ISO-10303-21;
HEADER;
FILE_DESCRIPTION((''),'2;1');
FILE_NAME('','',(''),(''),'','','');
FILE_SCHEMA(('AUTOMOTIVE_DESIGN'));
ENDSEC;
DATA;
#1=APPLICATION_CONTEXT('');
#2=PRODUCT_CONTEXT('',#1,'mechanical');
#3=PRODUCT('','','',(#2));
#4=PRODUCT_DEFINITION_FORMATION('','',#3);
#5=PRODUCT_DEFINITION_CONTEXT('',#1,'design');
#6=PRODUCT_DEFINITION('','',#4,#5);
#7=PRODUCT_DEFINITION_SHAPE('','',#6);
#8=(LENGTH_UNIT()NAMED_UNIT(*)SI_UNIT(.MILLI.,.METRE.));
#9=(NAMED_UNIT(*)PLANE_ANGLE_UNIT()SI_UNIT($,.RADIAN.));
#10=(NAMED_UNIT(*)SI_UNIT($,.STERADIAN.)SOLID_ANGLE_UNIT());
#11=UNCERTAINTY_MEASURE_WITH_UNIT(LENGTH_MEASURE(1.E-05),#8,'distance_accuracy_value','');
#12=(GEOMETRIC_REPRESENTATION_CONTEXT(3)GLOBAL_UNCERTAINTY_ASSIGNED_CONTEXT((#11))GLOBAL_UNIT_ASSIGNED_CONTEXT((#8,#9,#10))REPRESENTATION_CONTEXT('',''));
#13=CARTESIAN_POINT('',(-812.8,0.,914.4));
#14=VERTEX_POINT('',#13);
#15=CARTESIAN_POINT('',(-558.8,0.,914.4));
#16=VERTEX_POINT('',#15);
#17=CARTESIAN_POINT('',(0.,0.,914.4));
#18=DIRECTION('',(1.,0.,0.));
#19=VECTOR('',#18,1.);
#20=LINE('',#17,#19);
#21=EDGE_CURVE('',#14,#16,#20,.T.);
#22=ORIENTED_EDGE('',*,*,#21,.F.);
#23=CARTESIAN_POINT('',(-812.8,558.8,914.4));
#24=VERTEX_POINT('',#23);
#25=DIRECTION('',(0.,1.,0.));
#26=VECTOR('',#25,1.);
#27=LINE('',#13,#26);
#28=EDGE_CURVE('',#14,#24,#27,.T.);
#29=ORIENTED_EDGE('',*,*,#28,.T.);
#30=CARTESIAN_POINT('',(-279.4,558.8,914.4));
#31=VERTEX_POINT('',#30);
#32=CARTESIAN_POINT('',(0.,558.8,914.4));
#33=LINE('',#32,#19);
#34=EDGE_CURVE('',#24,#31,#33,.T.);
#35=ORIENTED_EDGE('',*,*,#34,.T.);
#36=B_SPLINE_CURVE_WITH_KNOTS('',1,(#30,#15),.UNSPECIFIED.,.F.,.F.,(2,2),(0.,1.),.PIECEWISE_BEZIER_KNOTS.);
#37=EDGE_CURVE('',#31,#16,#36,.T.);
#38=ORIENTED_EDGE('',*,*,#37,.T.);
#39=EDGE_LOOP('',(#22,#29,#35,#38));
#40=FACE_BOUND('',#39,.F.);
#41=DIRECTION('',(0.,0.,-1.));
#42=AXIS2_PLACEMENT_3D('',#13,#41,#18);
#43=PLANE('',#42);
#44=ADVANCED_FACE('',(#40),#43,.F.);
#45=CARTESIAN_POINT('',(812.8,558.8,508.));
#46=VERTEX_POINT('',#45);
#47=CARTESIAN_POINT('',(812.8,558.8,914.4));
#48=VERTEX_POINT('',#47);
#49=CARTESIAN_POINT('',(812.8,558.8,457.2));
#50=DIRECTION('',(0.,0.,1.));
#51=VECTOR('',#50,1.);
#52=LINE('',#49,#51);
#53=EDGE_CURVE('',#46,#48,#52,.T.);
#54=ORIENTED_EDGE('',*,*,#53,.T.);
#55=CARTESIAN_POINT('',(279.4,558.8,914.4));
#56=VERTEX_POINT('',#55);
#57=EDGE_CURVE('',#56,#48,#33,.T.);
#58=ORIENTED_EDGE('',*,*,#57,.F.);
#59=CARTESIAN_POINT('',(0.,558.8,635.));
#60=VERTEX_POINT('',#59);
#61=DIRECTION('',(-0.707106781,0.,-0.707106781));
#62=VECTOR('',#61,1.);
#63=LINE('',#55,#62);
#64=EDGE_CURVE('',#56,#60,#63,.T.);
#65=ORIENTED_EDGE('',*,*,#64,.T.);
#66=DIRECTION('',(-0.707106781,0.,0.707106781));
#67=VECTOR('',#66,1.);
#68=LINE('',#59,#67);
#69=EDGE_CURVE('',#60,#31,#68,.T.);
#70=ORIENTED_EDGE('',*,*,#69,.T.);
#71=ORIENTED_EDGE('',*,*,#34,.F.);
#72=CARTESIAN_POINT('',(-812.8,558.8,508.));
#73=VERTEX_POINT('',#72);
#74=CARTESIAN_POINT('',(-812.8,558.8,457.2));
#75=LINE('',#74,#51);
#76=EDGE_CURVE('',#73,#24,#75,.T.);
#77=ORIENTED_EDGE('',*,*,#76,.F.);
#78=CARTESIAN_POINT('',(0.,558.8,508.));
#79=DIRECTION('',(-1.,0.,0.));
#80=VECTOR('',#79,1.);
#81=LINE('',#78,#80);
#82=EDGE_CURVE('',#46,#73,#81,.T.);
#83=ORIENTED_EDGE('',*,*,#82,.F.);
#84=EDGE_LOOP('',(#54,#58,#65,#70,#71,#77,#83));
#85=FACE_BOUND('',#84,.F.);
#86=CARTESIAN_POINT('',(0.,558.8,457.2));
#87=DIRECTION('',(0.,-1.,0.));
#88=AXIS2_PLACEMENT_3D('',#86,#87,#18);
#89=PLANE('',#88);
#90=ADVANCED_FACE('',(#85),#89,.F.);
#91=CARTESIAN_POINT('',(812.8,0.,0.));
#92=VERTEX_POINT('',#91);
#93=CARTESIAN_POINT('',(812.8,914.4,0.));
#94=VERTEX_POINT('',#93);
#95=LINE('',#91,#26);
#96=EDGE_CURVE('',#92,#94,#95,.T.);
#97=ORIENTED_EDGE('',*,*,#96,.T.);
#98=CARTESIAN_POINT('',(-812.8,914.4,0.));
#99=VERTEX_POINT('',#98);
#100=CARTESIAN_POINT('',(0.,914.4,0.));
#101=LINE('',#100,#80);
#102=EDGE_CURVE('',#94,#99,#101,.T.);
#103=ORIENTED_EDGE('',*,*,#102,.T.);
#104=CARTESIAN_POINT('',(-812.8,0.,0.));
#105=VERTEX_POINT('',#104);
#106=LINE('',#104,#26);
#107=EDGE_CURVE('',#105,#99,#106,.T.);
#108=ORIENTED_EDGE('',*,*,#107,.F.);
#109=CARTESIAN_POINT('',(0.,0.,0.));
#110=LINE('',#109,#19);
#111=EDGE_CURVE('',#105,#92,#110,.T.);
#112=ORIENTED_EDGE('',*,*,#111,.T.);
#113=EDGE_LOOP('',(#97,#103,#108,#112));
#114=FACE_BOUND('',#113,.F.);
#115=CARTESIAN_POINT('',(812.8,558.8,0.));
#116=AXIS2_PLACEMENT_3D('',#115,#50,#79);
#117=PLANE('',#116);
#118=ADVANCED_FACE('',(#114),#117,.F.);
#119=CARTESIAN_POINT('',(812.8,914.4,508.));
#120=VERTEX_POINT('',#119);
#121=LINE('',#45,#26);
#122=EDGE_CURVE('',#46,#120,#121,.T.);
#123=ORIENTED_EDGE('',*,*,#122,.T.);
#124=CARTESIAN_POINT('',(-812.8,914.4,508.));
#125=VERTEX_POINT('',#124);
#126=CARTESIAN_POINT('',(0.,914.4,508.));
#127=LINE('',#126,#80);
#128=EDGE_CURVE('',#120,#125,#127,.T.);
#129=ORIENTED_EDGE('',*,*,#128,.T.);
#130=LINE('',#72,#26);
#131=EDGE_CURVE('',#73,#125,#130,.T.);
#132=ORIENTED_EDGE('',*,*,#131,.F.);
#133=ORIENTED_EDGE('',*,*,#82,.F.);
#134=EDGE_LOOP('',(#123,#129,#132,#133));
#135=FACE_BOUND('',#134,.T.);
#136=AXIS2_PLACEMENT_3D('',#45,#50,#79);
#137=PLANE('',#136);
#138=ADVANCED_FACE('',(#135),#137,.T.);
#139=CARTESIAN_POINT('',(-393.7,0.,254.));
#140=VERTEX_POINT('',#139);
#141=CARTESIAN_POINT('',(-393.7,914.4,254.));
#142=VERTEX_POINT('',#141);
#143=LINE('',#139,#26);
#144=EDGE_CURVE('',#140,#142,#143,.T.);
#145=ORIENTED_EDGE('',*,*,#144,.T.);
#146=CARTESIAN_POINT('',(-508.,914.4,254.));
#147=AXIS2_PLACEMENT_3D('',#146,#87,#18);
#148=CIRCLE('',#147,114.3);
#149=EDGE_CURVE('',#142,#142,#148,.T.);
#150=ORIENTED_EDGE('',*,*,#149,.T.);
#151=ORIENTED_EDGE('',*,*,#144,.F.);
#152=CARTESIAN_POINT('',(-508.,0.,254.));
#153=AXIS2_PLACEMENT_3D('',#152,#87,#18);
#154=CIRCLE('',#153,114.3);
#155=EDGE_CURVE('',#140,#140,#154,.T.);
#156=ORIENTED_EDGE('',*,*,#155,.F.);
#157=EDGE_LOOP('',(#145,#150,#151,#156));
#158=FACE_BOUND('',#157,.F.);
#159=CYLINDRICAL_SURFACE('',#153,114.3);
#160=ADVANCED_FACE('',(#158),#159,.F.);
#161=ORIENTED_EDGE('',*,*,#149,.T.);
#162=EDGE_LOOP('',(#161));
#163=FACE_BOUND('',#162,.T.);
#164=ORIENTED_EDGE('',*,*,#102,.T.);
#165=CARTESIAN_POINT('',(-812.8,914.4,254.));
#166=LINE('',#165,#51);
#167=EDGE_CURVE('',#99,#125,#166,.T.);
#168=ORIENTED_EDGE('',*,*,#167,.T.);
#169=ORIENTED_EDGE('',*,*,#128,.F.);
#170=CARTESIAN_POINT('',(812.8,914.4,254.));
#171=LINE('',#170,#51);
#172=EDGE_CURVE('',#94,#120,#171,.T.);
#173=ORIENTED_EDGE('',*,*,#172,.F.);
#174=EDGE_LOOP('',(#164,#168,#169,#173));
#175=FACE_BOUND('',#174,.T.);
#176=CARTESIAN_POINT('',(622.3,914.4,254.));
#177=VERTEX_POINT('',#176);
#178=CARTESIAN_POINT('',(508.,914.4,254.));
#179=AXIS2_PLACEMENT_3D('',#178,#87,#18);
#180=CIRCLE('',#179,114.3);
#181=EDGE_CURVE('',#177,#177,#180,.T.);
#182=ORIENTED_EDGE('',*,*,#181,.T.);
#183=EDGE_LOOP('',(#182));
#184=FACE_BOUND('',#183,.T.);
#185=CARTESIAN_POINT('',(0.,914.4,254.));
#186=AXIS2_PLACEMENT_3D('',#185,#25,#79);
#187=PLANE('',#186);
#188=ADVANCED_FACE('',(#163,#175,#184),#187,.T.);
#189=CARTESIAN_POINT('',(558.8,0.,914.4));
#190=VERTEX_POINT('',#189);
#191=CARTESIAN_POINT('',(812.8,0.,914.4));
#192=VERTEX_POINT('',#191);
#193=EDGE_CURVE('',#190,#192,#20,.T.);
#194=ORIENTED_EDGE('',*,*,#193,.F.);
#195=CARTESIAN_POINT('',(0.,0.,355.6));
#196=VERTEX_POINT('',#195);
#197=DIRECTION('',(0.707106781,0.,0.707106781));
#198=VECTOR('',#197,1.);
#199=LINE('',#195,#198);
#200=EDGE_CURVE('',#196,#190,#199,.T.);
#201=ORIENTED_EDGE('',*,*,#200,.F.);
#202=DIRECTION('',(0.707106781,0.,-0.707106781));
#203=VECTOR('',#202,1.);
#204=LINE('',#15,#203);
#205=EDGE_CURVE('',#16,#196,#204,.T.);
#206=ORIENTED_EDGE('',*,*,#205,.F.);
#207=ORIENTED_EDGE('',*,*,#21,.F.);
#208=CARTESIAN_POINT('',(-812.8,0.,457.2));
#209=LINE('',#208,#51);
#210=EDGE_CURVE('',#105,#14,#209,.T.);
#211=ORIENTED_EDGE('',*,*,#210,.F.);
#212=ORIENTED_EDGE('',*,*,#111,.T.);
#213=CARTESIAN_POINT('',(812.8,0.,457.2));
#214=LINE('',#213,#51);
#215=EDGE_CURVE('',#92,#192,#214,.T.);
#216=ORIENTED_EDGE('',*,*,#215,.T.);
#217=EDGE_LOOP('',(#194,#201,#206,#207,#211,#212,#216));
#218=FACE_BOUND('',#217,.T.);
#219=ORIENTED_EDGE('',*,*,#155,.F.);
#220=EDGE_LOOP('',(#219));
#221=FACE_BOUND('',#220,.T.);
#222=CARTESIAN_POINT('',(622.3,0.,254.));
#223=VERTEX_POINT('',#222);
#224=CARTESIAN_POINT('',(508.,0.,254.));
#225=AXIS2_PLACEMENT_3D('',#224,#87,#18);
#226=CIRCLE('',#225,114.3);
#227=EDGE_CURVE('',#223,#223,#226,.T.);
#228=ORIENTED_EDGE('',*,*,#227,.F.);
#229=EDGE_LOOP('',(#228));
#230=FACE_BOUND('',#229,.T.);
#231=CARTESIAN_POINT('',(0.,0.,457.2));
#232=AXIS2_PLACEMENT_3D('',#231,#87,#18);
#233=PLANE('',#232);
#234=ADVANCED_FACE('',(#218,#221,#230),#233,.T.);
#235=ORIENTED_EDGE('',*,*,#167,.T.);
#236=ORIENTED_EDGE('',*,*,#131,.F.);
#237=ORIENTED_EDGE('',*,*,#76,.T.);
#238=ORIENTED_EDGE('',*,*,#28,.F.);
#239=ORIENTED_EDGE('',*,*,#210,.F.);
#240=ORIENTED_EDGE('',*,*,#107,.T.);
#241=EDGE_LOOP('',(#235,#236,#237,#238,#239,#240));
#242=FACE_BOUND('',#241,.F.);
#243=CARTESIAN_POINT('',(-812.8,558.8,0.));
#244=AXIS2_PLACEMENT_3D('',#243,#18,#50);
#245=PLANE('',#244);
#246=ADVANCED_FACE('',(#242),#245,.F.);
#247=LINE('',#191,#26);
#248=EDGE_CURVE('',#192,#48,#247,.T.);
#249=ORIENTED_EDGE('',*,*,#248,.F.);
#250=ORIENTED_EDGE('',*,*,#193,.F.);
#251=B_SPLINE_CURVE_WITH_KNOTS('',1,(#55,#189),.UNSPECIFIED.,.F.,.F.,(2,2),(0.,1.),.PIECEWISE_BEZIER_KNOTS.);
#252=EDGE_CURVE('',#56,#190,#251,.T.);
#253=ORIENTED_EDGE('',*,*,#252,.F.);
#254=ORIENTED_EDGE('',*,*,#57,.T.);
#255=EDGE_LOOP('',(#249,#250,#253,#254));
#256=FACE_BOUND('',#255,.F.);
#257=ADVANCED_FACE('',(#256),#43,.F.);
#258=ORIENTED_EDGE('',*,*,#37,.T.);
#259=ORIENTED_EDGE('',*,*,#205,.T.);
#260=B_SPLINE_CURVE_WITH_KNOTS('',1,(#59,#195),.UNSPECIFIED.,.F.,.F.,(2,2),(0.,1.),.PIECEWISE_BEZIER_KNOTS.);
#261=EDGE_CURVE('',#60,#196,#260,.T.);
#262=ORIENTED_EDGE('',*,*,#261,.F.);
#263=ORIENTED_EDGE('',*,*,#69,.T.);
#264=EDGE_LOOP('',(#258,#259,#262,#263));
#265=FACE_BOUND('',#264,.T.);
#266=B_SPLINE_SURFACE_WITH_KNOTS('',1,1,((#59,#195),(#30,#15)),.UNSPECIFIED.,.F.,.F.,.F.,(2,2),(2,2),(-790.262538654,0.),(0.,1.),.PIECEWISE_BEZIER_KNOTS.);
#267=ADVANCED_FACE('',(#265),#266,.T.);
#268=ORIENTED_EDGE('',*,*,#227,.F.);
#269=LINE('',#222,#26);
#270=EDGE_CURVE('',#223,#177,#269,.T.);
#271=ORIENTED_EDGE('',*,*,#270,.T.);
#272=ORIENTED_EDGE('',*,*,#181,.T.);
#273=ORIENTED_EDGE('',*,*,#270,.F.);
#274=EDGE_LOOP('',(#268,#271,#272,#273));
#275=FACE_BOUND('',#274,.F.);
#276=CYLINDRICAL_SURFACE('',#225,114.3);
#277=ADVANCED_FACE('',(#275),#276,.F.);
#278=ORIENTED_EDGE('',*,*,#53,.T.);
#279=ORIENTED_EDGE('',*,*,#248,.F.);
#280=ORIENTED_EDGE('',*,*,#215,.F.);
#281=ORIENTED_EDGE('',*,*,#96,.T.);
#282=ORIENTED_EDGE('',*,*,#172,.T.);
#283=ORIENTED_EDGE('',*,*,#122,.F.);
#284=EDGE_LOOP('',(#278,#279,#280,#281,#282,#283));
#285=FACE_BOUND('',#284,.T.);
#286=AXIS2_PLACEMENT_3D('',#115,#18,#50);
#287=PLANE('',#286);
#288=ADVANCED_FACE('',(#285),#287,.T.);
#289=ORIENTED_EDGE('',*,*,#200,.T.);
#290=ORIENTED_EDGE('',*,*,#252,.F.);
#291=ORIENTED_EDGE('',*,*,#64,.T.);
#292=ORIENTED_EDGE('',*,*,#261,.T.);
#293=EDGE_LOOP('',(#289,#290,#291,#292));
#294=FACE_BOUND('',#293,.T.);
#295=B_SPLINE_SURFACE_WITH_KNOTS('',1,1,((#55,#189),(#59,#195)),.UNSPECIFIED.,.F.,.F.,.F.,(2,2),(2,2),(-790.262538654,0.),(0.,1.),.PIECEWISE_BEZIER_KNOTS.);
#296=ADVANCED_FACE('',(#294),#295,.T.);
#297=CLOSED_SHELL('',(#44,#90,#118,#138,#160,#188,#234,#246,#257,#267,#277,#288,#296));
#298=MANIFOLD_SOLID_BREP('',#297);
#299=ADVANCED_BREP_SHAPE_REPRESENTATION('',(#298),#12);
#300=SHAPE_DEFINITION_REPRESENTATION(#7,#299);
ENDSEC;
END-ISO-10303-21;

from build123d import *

# Parameters (mm, degrees)
F0_W     = 1625.6
F0_H     = 914.4
F1_DEPTH = 558.8
F2_W     = 1625.6
F2_H     = 508
F3_DEPTH = 355.6
F7_R     = 114.3
F8_DEPTH = 914.401


with BuildPart() as f1:
    # F0 (on Front) → F1 (new body)
    with BuildSketch(Plane.XZ):
        with Locations((0, 457.2)):
            Rectangle(F0_W, F0_H)
    extrude(amount=-F1_DEPTH)

    # F2 (on face) → F3 (join)
    with BuildSketch(Plane(origin=(0, 558.8, 0), x_dir=(-1, 0, 0), z_dir=(0, 1, 0))):
        with Locations((0, 254)):
            Rectangle(F2_W, F2_H)
    extrude(amount=F3_DEPTH)

    # F5 (on face) → F6 section 0
    with BuildSketch(Plane(origin=(0, 558.8, 0), x_dir=(-1, 0, 0), z_dir=(0, 1, 0))):
        Polygon((279.4, 914.4), (-279.4, 914.4), (0, 635), align=None)
    # F4 (on face) → F6 section 1
    with BuildSketch(Plane.XZ):
        Polygon((558.8, 914.4), (-558.8, 914.4), (0, 355.6), align=None)
    loft(mode=Mode.SUBTRACT)

    # F7 (on face) → F8 (cut, through all)
    with BuildSketch(Plane.XZ):
        with Locations((-508, 254)):
            Circle(F7_R)
        with Locations((508, 254)):
            Circle(F7_R)
    extrude(amount=-F8_DEPTH, mode=Mode.SUBTRACT)


solid = f1.part
